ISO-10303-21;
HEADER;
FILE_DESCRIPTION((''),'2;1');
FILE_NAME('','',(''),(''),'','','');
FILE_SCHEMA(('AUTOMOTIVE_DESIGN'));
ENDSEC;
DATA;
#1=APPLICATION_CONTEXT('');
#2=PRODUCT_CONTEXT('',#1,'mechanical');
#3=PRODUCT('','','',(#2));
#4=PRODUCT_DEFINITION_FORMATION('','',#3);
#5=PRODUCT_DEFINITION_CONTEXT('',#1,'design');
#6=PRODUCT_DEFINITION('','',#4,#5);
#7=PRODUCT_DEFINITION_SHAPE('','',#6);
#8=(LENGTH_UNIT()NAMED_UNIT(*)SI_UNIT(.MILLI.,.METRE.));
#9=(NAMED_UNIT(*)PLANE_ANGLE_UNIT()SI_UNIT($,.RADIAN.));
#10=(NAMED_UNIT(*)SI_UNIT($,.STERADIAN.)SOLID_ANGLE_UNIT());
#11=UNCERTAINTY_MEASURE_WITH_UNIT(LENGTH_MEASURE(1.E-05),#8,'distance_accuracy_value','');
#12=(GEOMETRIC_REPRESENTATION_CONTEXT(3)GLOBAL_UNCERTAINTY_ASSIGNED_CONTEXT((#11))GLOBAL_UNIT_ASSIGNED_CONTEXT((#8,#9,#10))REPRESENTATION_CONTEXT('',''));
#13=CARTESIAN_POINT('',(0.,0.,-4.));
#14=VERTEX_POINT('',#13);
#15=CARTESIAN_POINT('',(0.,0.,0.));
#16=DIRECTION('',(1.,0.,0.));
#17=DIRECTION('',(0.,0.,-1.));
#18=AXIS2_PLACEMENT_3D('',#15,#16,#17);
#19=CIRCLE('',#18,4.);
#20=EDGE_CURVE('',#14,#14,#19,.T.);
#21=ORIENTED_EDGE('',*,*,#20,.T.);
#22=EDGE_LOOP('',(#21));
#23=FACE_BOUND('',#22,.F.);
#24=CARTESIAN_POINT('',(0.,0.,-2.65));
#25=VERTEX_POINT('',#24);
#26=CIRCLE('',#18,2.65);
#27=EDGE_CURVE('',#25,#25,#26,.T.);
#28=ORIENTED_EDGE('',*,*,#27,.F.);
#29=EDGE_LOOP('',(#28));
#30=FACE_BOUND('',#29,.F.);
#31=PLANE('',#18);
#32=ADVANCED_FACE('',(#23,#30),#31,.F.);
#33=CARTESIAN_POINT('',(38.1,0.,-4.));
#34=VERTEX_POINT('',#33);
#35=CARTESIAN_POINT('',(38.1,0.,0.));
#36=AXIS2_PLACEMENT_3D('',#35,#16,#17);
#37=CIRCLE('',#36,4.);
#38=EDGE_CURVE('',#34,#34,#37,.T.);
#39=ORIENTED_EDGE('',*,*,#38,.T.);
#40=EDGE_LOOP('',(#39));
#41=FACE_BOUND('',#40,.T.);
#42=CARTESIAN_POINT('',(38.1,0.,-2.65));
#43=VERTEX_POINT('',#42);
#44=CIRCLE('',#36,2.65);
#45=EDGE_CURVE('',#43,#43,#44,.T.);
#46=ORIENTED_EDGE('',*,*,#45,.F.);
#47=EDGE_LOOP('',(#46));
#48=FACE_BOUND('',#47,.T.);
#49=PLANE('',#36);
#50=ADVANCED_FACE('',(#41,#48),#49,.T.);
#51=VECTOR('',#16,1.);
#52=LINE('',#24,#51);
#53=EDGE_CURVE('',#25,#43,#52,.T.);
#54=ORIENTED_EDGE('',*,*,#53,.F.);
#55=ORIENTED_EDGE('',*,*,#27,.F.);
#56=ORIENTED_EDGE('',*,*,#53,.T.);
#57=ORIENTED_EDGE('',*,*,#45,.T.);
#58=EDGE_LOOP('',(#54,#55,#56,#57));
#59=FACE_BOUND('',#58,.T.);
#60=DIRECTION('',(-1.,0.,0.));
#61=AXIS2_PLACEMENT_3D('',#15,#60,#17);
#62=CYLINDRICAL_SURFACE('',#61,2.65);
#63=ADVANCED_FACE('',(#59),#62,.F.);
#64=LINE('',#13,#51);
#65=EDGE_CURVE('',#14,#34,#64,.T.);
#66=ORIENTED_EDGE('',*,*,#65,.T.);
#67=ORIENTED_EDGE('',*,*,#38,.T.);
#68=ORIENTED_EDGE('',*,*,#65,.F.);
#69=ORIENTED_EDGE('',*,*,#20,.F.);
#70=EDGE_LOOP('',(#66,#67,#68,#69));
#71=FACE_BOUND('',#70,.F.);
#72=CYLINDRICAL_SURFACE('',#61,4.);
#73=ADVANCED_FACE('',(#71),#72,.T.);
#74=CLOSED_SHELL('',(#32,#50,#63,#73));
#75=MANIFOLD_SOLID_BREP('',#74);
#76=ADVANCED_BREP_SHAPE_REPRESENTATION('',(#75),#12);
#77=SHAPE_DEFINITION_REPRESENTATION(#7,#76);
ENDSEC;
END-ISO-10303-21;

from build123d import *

# Parameters (mm, degrees)
SKETCH1_R           = 4
SKETCH1_R_2         = 2.65
BOSS_EXTRUDE1_DEPTH = 38.1


with BuildPart() as part:
    # Sketch1 → Boss-Extrude1 (new body)
    with BuildSketch(Plane(origin=(0, 0, 0), x_dir=(0, 0, -1), z_dir=(1, 0, 0))):
        Circle(SKETCH1_R)
        Circle(SKETCH1_R_2, mode=Mode.SUBTRACT)
    extrude(amount=BOSS_EXTRUDE1_DEPTH)


solid = part.part
